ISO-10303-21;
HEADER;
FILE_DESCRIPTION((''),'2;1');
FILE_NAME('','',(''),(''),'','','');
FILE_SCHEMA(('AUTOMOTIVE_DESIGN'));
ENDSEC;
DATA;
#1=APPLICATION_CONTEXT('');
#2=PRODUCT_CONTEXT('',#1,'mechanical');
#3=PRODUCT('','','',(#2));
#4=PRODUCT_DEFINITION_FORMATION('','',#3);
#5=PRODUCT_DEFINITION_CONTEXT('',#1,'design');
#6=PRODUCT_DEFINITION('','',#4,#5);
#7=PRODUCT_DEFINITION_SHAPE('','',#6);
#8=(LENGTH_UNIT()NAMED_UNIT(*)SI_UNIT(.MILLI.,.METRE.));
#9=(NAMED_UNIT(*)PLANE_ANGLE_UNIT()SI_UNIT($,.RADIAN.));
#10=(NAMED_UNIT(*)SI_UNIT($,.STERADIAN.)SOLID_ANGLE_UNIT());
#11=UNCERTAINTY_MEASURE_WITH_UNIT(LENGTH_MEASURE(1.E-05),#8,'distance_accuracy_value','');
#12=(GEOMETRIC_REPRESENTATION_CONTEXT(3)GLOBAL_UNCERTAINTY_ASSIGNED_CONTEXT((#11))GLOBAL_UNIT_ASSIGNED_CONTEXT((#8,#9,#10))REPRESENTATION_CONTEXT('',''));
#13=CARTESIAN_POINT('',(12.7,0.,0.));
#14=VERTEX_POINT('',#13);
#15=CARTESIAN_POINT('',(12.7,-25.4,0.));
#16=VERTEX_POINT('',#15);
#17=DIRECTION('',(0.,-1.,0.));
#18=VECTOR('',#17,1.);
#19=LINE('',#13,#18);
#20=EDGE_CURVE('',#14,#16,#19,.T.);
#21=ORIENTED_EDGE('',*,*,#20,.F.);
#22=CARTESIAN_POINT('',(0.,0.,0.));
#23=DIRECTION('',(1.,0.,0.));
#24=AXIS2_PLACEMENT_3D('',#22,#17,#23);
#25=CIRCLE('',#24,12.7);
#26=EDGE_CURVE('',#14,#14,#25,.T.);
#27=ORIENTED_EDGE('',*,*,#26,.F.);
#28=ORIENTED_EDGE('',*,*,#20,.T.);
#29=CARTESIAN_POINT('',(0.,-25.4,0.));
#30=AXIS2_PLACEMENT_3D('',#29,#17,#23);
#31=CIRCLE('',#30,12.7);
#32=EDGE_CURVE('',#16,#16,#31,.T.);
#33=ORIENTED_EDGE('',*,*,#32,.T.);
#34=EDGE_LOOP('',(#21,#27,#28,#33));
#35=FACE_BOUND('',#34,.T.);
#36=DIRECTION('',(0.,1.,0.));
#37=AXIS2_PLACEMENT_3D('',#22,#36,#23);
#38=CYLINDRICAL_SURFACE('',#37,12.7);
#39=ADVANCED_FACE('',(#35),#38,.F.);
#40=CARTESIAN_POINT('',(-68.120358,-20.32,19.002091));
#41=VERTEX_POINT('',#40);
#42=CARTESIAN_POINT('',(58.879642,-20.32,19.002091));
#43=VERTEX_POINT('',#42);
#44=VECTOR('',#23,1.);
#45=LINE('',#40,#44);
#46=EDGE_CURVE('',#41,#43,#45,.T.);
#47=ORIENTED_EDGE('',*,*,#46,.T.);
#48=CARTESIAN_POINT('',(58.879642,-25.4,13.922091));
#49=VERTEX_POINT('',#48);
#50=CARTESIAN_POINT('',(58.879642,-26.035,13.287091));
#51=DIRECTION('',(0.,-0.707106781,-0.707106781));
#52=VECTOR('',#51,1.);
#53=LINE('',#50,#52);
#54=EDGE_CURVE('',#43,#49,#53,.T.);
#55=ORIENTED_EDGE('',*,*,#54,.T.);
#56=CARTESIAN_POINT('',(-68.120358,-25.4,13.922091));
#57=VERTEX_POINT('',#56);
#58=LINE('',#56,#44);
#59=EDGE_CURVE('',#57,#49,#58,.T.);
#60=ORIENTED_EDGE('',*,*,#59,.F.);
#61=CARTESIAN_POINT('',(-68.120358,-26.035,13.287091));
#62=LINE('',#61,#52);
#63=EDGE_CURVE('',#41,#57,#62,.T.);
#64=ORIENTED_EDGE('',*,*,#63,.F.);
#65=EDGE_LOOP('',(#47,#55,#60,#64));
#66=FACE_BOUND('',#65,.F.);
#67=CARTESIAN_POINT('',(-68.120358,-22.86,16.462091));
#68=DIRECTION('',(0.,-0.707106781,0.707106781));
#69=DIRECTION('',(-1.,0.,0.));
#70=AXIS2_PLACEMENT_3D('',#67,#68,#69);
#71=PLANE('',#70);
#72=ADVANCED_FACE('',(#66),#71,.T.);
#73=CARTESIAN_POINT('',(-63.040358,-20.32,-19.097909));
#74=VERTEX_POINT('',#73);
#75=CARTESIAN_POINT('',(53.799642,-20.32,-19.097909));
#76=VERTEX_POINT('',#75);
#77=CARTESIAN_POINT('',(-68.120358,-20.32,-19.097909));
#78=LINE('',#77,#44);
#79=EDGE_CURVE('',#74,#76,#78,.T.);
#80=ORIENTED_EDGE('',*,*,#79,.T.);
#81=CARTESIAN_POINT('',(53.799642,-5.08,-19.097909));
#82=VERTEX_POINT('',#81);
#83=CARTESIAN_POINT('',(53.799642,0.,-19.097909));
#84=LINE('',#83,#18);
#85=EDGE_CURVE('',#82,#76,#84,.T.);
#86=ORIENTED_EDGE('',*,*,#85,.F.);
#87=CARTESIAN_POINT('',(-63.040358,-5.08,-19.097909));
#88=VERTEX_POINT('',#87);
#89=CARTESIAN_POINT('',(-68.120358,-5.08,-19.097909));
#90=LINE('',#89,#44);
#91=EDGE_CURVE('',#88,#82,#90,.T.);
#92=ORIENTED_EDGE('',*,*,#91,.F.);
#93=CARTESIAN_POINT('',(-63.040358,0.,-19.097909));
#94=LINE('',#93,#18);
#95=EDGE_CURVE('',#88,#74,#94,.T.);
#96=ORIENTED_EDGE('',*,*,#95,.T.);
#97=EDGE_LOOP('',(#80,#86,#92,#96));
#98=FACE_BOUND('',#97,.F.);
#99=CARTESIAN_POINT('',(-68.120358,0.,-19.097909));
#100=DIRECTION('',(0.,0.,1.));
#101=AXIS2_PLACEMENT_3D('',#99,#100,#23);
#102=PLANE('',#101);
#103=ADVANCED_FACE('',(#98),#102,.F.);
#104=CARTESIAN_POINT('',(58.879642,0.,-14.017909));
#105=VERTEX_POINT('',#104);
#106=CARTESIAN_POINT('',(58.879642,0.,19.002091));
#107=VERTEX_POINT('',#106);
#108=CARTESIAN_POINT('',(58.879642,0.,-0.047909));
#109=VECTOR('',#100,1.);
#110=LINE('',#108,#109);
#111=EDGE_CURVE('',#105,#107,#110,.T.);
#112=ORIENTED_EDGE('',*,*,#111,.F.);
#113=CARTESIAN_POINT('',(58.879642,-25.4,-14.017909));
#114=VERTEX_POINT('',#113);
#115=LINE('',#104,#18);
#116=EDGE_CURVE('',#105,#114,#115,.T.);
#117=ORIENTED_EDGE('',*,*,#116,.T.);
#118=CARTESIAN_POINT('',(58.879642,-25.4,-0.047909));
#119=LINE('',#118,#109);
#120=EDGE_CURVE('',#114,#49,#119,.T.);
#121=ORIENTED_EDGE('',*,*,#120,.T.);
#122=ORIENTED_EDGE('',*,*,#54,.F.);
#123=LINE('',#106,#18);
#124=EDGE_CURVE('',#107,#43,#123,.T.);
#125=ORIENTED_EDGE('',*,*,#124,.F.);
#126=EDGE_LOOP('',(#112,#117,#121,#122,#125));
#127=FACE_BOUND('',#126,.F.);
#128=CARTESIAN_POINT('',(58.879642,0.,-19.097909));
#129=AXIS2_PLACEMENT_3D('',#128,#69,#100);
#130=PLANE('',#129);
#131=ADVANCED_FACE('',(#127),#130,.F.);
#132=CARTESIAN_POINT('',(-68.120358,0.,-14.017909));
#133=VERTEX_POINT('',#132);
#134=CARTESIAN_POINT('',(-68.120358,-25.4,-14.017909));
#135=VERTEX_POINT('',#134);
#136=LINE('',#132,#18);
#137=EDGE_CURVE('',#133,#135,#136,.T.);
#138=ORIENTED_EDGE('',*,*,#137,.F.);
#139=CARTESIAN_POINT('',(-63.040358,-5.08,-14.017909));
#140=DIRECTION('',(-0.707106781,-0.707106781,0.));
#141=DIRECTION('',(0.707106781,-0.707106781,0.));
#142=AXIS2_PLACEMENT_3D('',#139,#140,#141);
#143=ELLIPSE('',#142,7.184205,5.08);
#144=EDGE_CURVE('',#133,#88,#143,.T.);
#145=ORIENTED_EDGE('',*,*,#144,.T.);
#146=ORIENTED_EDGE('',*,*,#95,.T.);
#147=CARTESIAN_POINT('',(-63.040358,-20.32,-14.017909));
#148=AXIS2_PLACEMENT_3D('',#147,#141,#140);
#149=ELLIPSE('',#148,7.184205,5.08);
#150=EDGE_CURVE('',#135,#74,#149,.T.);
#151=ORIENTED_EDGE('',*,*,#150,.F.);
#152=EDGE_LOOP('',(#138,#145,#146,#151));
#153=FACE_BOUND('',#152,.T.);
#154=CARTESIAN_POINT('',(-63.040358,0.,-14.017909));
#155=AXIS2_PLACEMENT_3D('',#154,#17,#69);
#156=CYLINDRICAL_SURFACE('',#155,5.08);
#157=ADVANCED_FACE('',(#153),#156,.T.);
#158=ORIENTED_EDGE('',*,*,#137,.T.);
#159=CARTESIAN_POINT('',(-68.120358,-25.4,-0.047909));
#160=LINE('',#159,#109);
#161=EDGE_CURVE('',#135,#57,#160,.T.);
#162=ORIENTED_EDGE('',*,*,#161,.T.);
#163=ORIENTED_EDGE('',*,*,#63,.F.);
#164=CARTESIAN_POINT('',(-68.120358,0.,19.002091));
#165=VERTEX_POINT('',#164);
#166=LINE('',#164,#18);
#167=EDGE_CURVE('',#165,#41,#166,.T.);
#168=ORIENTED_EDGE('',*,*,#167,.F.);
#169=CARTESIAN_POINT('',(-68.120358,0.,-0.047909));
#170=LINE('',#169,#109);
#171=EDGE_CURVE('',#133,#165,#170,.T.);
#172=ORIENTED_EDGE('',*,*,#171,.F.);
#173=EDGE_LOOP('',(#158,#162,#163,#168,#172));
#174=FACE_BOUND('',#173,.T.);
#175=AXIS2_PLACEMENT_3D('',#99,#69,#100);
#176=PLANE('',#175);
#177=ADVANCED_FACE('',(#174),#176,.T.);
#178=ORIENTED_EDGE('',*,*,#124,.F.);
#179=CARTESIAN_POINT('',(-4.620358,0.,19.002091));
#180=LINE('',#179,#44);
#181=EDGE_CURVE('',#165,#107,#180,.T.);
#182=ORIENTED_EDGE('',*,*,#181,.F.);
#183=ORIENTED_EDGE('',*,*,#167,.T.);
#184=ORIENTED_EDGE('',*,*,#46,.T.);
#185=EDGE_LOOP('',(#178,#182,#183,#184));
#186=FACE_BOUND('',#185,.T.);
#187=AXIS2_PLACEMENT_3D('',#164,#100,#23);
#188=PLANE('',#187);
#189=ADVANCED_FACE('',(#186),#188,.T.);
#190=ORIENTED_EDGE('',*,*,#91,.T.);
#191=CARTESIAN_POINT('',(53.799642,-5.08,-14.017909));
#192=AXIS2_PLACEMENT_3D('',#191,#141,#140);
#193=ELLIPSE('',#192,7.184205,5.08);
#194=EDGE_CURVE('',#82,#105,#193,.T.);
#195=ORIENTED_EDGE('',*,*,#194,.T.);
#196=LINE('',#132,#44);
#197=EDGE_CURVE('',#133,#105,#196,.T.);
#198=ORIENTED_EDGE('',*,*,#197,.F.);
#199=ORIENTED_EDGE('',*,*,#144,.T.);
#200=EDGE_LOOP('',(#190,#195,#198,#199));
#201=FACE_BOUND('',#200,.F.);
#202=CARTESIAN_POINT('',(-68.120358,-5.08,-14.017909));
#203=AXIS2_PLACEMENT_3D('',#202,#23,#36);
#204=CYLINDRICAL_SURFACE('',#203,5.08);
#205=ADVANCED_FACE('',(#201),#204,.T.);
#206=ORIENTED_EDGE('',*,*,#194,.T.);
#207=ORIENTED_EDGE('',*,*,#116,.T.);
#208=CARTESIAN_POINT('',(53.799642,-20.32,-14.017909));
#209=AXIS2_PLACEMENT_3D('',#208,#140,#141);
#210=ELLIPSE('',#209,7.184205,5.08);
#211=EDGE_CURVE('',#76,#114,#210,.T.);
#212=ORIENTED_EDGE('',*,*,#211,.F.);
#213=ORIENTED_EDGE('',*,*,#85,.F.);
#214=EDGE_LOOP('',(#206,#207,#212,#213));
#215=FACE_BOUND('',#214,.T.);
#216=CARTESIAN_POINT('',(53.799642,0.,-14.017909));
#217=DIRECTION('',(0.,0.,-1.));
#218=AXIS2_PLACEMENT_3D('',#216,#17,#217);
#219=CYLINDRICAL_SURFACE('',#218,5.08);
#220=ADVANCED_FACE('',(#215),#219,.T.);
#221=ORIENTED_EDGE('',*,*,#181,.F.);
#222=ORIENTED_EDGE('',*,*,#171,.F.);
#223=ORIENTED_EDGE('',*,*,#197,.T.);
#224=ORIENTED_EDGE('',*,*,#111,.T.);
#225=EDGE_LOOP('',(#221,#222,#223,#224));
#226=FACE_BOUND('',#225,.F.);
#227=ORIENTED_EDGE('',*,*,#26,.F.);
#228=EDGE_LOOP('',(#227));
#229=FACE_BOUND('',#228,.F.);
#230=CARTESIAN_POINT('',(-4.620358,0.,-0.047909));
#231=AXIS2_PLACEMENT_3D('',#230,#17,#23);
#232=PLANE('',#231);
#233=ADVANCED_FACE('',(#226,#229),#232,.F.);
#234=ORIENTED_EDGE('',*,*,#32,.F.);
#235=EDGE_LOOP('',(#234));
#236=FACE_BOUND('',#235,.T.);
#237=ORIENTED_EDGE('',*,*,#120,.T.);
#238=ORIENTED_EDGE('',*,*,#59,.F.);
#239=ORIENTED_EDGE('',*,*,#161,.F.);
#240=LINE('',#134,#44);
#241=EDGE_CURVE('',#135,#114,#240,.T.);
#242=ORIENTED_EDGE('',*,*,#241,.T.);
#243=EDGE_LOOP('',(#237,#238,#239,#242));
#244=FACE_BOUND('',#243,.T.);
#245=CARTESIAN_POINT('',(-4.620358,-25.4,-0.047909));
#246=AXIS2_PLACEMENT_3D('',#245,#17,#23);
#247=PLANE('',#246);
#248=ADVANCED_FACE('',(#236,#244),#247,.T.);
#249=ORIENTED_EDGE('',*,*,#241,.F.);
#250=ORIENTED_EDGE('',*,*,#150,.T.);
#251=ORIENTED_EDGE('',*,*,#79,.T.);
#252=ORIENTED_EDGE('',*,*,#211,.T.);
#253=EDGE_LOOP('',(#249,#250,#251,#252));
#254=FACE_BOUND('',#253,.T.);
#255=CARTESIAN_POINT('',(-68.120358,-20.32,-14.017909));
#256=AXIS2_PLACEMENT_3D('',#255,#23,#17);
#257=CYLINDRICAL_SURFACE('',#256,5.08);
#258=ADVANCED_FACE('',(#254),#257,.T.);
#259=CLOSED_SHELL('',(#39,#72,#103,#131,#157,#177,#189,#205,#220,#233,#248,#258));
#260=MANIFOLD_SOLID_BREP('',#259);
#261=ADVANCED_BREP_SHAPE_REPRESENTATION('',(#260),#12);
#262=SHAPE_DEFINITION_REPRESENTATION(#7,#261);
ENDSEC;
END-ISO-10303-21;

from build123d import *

# Parameters (mm, degrees)
F0_W     = 127
F0_H     = 38.1
F0_R     = 12.7
F1_DEPTH = 25.4
F2_SIZE  = 5.08
F3_R     = 5.08


with BuildPart() as f1:
    # F0 (on Front) → F1 (new body)
    with BuildSketch(Plane.XZ):
        with Locations((-4.620358, -0.047909)):
            Rectangle(F0_W, F0_H)
        Circle(F0_R, mode=Mode.SUBTRACT)
    extrude(amount=F1_DEPTH)

    # F2
    f2_edges = [f1.edges().sort_by_distance(p)[0] for p in [
        (-4.620358, -25.4, 19.002091),
    ]]
    chamfer(f2_edges, length=F2_SIZE)

    # F3
    f3_edges = [f1.edges().sort_by_distance(p)[0] for p in [
        (-68.120358, -12.7, -19.097909),
        (58.879642, -12.7, -19.097909),
        (-4.620358, 0, -19.097909),
        (-4.620358, -25.4, -19.097909),
    ]]
    fillet(f3_edges, radius=F3_R)


solid = f1.part
